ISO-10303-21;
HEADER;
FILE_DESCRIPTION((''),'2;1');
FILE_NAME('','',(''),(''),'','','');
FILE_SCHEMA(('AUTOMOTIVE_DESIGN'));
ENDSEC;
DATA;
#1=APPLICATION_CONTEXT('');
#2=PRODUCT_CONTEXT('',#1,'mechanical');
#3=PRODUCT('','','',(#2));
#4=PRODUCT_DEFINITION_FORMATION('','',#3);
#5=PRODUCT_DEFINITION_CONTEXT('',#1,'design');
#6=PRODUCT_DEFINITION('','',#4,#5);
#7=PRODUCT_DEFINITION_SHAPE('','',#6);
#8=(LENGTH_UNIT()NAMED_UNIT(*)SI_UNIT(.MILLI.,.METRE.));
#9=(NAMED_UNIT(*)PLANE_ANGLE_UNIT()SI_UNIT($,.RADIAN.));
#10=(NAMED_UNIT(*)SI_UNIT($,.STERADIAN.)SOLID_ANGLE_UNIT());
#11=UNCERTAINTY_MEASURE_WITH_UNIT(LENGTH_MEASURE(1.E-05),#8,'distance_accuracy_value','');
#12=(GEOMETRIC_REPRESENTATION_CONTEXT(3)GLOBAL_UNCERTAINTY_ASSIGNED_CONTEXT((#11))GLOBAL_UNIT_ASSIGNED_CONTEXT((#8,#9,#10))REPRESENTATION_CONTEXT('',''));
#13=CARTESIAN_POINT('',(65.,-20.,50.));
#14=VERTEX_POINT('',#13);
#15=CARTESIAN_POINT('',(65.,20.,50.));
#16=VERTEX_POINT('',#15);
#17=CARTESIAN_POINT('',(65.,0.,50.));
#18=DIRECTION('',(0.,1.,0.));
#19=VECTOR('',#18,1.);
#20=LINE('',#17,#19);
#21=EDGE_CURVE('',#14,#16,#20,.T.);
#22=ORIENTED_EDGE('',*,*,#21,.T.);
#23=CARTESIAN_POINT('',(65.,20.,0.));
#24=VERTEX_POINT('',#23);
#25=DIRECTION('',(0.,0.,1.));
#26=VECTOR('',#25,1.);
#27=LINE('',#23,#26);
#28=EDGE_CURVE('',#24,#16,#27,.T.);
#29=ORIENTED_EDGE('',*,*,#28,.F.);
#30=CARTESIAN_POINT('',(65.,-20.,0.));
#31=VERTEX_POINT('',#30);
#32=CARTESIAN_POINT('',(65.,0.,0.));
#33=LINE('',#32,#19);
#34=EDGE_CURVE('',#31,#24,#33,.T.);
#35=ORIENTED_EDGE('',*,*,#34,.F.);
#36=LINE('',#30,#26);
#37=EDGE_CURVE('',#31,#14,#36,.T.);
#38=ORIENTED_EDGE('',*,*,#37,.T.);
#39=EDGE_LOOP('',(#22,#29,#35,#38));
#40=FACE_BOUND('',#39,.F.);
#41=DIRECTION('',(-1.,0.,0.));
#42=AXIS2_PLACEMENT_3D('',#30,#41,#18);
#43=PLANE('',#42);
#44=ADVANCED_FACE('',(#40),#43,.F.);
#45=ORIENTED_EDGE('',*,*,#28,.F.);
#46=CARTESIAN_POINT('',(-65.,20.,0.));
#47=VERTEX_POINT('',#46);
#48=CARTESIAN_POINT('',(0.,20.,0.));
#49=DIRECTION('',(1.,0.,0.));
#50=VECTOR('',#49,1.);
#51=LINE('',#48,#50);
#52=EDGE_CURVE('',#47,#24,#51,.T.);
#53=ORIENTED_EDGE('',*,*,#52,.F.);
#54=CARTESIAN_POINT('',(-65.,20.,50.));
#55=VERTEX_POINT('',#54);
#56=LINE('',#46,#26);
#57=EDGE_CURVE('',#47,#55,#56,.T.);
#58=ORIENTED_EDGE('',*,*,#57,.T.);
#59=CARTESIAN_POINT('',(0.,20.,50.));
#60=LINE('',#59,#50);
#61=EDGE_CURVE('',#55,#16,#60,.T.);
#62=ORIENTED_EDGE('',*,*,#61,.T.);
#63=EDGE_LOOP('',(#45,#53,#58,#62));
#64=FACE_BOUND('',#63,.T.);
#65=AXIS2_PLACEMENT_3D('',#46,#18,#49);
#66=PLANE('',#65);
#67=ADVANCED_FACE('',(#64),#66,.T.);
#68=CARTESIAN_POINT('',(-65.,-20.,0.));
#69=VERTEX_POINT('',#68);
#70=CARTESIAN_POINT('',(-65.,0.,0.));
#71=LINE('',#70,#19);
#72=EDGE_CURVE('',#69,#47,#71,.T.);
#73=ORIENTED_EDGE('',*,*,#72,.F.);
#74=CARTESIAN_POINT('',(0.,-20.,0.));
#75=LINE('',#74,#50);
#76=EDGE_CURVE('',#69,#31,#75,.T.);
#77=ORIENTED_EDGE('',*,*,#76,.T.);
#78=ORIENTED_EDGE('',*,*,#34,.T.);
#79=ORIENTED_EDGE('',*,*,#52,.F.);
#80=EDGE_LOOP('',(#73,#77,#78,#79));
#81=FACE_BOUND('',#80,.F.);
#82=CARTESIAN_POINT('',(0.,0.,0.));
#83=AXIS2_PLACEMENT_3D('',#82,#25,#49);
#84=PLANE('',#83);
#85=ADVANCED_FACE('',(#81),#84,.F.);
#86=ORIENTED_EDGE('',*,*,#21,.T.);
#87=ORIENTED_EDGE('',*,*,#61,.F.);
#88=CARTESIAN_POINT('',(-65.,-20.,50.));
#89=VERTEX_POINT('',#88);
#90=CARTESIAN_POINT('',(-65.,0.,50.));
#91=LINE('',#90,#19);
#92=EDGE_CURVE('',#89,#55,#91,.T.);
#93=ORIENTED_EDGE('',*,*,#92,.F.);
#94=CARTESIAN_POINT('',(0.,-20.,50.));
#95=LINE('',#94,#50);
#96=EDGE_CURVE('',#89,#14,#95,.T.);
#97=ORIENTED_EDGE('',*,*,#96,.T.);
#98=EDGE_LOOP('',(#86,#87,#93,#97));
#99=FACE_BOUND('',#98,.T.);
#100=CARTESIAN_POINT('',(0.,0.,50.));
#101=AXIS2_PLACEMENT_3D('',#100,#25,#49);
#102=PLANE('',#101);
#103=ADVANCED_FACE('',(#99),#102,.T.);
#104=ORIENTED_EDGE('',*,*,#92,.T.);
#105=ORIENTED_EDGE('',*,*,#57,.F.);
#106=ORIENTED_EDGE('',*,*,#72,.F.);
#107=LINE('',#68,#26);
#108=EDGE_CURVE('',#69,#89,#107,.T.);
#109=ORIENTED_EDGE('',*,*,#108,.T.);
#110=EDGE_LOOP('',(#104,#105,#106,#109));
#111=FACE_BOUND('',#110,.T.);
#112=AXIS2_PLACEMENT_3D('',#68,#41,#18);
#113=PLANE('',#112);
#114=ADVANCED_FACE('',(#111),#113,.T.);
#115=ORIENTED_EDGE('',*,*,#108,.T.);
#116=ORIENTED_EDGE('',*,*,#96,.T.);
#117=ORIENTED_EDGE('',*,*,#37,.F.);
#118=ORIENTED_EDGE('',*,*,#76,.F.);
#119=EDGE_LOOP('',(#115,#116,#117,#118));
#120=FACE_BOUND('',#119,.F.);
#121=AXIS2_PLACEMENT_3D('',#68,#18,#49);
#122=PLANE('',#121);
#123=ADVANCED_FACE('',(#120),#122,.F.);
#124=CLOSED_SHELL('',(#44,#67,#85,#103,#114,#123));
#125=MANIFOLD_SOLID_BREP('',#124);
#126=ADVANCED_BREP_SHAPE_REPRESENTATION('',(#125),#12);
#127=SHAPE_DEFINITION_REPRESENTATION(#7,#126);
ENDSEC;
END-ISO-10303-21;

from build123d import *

# Parameters (mm, degrees)
SKETCH_W      = 130
SKETCH_H      = 40
EXTRUDE_DEPTH = 50


with BuildPart() as part:
    # Sketch → Extrude (new body)
    with BuildSketch(Plane.XY):
        Rectangle(SKETCH_W, SKETCH_H)
    extrude(amount=EXTRUDE_DEPTH)


solid = part.part
